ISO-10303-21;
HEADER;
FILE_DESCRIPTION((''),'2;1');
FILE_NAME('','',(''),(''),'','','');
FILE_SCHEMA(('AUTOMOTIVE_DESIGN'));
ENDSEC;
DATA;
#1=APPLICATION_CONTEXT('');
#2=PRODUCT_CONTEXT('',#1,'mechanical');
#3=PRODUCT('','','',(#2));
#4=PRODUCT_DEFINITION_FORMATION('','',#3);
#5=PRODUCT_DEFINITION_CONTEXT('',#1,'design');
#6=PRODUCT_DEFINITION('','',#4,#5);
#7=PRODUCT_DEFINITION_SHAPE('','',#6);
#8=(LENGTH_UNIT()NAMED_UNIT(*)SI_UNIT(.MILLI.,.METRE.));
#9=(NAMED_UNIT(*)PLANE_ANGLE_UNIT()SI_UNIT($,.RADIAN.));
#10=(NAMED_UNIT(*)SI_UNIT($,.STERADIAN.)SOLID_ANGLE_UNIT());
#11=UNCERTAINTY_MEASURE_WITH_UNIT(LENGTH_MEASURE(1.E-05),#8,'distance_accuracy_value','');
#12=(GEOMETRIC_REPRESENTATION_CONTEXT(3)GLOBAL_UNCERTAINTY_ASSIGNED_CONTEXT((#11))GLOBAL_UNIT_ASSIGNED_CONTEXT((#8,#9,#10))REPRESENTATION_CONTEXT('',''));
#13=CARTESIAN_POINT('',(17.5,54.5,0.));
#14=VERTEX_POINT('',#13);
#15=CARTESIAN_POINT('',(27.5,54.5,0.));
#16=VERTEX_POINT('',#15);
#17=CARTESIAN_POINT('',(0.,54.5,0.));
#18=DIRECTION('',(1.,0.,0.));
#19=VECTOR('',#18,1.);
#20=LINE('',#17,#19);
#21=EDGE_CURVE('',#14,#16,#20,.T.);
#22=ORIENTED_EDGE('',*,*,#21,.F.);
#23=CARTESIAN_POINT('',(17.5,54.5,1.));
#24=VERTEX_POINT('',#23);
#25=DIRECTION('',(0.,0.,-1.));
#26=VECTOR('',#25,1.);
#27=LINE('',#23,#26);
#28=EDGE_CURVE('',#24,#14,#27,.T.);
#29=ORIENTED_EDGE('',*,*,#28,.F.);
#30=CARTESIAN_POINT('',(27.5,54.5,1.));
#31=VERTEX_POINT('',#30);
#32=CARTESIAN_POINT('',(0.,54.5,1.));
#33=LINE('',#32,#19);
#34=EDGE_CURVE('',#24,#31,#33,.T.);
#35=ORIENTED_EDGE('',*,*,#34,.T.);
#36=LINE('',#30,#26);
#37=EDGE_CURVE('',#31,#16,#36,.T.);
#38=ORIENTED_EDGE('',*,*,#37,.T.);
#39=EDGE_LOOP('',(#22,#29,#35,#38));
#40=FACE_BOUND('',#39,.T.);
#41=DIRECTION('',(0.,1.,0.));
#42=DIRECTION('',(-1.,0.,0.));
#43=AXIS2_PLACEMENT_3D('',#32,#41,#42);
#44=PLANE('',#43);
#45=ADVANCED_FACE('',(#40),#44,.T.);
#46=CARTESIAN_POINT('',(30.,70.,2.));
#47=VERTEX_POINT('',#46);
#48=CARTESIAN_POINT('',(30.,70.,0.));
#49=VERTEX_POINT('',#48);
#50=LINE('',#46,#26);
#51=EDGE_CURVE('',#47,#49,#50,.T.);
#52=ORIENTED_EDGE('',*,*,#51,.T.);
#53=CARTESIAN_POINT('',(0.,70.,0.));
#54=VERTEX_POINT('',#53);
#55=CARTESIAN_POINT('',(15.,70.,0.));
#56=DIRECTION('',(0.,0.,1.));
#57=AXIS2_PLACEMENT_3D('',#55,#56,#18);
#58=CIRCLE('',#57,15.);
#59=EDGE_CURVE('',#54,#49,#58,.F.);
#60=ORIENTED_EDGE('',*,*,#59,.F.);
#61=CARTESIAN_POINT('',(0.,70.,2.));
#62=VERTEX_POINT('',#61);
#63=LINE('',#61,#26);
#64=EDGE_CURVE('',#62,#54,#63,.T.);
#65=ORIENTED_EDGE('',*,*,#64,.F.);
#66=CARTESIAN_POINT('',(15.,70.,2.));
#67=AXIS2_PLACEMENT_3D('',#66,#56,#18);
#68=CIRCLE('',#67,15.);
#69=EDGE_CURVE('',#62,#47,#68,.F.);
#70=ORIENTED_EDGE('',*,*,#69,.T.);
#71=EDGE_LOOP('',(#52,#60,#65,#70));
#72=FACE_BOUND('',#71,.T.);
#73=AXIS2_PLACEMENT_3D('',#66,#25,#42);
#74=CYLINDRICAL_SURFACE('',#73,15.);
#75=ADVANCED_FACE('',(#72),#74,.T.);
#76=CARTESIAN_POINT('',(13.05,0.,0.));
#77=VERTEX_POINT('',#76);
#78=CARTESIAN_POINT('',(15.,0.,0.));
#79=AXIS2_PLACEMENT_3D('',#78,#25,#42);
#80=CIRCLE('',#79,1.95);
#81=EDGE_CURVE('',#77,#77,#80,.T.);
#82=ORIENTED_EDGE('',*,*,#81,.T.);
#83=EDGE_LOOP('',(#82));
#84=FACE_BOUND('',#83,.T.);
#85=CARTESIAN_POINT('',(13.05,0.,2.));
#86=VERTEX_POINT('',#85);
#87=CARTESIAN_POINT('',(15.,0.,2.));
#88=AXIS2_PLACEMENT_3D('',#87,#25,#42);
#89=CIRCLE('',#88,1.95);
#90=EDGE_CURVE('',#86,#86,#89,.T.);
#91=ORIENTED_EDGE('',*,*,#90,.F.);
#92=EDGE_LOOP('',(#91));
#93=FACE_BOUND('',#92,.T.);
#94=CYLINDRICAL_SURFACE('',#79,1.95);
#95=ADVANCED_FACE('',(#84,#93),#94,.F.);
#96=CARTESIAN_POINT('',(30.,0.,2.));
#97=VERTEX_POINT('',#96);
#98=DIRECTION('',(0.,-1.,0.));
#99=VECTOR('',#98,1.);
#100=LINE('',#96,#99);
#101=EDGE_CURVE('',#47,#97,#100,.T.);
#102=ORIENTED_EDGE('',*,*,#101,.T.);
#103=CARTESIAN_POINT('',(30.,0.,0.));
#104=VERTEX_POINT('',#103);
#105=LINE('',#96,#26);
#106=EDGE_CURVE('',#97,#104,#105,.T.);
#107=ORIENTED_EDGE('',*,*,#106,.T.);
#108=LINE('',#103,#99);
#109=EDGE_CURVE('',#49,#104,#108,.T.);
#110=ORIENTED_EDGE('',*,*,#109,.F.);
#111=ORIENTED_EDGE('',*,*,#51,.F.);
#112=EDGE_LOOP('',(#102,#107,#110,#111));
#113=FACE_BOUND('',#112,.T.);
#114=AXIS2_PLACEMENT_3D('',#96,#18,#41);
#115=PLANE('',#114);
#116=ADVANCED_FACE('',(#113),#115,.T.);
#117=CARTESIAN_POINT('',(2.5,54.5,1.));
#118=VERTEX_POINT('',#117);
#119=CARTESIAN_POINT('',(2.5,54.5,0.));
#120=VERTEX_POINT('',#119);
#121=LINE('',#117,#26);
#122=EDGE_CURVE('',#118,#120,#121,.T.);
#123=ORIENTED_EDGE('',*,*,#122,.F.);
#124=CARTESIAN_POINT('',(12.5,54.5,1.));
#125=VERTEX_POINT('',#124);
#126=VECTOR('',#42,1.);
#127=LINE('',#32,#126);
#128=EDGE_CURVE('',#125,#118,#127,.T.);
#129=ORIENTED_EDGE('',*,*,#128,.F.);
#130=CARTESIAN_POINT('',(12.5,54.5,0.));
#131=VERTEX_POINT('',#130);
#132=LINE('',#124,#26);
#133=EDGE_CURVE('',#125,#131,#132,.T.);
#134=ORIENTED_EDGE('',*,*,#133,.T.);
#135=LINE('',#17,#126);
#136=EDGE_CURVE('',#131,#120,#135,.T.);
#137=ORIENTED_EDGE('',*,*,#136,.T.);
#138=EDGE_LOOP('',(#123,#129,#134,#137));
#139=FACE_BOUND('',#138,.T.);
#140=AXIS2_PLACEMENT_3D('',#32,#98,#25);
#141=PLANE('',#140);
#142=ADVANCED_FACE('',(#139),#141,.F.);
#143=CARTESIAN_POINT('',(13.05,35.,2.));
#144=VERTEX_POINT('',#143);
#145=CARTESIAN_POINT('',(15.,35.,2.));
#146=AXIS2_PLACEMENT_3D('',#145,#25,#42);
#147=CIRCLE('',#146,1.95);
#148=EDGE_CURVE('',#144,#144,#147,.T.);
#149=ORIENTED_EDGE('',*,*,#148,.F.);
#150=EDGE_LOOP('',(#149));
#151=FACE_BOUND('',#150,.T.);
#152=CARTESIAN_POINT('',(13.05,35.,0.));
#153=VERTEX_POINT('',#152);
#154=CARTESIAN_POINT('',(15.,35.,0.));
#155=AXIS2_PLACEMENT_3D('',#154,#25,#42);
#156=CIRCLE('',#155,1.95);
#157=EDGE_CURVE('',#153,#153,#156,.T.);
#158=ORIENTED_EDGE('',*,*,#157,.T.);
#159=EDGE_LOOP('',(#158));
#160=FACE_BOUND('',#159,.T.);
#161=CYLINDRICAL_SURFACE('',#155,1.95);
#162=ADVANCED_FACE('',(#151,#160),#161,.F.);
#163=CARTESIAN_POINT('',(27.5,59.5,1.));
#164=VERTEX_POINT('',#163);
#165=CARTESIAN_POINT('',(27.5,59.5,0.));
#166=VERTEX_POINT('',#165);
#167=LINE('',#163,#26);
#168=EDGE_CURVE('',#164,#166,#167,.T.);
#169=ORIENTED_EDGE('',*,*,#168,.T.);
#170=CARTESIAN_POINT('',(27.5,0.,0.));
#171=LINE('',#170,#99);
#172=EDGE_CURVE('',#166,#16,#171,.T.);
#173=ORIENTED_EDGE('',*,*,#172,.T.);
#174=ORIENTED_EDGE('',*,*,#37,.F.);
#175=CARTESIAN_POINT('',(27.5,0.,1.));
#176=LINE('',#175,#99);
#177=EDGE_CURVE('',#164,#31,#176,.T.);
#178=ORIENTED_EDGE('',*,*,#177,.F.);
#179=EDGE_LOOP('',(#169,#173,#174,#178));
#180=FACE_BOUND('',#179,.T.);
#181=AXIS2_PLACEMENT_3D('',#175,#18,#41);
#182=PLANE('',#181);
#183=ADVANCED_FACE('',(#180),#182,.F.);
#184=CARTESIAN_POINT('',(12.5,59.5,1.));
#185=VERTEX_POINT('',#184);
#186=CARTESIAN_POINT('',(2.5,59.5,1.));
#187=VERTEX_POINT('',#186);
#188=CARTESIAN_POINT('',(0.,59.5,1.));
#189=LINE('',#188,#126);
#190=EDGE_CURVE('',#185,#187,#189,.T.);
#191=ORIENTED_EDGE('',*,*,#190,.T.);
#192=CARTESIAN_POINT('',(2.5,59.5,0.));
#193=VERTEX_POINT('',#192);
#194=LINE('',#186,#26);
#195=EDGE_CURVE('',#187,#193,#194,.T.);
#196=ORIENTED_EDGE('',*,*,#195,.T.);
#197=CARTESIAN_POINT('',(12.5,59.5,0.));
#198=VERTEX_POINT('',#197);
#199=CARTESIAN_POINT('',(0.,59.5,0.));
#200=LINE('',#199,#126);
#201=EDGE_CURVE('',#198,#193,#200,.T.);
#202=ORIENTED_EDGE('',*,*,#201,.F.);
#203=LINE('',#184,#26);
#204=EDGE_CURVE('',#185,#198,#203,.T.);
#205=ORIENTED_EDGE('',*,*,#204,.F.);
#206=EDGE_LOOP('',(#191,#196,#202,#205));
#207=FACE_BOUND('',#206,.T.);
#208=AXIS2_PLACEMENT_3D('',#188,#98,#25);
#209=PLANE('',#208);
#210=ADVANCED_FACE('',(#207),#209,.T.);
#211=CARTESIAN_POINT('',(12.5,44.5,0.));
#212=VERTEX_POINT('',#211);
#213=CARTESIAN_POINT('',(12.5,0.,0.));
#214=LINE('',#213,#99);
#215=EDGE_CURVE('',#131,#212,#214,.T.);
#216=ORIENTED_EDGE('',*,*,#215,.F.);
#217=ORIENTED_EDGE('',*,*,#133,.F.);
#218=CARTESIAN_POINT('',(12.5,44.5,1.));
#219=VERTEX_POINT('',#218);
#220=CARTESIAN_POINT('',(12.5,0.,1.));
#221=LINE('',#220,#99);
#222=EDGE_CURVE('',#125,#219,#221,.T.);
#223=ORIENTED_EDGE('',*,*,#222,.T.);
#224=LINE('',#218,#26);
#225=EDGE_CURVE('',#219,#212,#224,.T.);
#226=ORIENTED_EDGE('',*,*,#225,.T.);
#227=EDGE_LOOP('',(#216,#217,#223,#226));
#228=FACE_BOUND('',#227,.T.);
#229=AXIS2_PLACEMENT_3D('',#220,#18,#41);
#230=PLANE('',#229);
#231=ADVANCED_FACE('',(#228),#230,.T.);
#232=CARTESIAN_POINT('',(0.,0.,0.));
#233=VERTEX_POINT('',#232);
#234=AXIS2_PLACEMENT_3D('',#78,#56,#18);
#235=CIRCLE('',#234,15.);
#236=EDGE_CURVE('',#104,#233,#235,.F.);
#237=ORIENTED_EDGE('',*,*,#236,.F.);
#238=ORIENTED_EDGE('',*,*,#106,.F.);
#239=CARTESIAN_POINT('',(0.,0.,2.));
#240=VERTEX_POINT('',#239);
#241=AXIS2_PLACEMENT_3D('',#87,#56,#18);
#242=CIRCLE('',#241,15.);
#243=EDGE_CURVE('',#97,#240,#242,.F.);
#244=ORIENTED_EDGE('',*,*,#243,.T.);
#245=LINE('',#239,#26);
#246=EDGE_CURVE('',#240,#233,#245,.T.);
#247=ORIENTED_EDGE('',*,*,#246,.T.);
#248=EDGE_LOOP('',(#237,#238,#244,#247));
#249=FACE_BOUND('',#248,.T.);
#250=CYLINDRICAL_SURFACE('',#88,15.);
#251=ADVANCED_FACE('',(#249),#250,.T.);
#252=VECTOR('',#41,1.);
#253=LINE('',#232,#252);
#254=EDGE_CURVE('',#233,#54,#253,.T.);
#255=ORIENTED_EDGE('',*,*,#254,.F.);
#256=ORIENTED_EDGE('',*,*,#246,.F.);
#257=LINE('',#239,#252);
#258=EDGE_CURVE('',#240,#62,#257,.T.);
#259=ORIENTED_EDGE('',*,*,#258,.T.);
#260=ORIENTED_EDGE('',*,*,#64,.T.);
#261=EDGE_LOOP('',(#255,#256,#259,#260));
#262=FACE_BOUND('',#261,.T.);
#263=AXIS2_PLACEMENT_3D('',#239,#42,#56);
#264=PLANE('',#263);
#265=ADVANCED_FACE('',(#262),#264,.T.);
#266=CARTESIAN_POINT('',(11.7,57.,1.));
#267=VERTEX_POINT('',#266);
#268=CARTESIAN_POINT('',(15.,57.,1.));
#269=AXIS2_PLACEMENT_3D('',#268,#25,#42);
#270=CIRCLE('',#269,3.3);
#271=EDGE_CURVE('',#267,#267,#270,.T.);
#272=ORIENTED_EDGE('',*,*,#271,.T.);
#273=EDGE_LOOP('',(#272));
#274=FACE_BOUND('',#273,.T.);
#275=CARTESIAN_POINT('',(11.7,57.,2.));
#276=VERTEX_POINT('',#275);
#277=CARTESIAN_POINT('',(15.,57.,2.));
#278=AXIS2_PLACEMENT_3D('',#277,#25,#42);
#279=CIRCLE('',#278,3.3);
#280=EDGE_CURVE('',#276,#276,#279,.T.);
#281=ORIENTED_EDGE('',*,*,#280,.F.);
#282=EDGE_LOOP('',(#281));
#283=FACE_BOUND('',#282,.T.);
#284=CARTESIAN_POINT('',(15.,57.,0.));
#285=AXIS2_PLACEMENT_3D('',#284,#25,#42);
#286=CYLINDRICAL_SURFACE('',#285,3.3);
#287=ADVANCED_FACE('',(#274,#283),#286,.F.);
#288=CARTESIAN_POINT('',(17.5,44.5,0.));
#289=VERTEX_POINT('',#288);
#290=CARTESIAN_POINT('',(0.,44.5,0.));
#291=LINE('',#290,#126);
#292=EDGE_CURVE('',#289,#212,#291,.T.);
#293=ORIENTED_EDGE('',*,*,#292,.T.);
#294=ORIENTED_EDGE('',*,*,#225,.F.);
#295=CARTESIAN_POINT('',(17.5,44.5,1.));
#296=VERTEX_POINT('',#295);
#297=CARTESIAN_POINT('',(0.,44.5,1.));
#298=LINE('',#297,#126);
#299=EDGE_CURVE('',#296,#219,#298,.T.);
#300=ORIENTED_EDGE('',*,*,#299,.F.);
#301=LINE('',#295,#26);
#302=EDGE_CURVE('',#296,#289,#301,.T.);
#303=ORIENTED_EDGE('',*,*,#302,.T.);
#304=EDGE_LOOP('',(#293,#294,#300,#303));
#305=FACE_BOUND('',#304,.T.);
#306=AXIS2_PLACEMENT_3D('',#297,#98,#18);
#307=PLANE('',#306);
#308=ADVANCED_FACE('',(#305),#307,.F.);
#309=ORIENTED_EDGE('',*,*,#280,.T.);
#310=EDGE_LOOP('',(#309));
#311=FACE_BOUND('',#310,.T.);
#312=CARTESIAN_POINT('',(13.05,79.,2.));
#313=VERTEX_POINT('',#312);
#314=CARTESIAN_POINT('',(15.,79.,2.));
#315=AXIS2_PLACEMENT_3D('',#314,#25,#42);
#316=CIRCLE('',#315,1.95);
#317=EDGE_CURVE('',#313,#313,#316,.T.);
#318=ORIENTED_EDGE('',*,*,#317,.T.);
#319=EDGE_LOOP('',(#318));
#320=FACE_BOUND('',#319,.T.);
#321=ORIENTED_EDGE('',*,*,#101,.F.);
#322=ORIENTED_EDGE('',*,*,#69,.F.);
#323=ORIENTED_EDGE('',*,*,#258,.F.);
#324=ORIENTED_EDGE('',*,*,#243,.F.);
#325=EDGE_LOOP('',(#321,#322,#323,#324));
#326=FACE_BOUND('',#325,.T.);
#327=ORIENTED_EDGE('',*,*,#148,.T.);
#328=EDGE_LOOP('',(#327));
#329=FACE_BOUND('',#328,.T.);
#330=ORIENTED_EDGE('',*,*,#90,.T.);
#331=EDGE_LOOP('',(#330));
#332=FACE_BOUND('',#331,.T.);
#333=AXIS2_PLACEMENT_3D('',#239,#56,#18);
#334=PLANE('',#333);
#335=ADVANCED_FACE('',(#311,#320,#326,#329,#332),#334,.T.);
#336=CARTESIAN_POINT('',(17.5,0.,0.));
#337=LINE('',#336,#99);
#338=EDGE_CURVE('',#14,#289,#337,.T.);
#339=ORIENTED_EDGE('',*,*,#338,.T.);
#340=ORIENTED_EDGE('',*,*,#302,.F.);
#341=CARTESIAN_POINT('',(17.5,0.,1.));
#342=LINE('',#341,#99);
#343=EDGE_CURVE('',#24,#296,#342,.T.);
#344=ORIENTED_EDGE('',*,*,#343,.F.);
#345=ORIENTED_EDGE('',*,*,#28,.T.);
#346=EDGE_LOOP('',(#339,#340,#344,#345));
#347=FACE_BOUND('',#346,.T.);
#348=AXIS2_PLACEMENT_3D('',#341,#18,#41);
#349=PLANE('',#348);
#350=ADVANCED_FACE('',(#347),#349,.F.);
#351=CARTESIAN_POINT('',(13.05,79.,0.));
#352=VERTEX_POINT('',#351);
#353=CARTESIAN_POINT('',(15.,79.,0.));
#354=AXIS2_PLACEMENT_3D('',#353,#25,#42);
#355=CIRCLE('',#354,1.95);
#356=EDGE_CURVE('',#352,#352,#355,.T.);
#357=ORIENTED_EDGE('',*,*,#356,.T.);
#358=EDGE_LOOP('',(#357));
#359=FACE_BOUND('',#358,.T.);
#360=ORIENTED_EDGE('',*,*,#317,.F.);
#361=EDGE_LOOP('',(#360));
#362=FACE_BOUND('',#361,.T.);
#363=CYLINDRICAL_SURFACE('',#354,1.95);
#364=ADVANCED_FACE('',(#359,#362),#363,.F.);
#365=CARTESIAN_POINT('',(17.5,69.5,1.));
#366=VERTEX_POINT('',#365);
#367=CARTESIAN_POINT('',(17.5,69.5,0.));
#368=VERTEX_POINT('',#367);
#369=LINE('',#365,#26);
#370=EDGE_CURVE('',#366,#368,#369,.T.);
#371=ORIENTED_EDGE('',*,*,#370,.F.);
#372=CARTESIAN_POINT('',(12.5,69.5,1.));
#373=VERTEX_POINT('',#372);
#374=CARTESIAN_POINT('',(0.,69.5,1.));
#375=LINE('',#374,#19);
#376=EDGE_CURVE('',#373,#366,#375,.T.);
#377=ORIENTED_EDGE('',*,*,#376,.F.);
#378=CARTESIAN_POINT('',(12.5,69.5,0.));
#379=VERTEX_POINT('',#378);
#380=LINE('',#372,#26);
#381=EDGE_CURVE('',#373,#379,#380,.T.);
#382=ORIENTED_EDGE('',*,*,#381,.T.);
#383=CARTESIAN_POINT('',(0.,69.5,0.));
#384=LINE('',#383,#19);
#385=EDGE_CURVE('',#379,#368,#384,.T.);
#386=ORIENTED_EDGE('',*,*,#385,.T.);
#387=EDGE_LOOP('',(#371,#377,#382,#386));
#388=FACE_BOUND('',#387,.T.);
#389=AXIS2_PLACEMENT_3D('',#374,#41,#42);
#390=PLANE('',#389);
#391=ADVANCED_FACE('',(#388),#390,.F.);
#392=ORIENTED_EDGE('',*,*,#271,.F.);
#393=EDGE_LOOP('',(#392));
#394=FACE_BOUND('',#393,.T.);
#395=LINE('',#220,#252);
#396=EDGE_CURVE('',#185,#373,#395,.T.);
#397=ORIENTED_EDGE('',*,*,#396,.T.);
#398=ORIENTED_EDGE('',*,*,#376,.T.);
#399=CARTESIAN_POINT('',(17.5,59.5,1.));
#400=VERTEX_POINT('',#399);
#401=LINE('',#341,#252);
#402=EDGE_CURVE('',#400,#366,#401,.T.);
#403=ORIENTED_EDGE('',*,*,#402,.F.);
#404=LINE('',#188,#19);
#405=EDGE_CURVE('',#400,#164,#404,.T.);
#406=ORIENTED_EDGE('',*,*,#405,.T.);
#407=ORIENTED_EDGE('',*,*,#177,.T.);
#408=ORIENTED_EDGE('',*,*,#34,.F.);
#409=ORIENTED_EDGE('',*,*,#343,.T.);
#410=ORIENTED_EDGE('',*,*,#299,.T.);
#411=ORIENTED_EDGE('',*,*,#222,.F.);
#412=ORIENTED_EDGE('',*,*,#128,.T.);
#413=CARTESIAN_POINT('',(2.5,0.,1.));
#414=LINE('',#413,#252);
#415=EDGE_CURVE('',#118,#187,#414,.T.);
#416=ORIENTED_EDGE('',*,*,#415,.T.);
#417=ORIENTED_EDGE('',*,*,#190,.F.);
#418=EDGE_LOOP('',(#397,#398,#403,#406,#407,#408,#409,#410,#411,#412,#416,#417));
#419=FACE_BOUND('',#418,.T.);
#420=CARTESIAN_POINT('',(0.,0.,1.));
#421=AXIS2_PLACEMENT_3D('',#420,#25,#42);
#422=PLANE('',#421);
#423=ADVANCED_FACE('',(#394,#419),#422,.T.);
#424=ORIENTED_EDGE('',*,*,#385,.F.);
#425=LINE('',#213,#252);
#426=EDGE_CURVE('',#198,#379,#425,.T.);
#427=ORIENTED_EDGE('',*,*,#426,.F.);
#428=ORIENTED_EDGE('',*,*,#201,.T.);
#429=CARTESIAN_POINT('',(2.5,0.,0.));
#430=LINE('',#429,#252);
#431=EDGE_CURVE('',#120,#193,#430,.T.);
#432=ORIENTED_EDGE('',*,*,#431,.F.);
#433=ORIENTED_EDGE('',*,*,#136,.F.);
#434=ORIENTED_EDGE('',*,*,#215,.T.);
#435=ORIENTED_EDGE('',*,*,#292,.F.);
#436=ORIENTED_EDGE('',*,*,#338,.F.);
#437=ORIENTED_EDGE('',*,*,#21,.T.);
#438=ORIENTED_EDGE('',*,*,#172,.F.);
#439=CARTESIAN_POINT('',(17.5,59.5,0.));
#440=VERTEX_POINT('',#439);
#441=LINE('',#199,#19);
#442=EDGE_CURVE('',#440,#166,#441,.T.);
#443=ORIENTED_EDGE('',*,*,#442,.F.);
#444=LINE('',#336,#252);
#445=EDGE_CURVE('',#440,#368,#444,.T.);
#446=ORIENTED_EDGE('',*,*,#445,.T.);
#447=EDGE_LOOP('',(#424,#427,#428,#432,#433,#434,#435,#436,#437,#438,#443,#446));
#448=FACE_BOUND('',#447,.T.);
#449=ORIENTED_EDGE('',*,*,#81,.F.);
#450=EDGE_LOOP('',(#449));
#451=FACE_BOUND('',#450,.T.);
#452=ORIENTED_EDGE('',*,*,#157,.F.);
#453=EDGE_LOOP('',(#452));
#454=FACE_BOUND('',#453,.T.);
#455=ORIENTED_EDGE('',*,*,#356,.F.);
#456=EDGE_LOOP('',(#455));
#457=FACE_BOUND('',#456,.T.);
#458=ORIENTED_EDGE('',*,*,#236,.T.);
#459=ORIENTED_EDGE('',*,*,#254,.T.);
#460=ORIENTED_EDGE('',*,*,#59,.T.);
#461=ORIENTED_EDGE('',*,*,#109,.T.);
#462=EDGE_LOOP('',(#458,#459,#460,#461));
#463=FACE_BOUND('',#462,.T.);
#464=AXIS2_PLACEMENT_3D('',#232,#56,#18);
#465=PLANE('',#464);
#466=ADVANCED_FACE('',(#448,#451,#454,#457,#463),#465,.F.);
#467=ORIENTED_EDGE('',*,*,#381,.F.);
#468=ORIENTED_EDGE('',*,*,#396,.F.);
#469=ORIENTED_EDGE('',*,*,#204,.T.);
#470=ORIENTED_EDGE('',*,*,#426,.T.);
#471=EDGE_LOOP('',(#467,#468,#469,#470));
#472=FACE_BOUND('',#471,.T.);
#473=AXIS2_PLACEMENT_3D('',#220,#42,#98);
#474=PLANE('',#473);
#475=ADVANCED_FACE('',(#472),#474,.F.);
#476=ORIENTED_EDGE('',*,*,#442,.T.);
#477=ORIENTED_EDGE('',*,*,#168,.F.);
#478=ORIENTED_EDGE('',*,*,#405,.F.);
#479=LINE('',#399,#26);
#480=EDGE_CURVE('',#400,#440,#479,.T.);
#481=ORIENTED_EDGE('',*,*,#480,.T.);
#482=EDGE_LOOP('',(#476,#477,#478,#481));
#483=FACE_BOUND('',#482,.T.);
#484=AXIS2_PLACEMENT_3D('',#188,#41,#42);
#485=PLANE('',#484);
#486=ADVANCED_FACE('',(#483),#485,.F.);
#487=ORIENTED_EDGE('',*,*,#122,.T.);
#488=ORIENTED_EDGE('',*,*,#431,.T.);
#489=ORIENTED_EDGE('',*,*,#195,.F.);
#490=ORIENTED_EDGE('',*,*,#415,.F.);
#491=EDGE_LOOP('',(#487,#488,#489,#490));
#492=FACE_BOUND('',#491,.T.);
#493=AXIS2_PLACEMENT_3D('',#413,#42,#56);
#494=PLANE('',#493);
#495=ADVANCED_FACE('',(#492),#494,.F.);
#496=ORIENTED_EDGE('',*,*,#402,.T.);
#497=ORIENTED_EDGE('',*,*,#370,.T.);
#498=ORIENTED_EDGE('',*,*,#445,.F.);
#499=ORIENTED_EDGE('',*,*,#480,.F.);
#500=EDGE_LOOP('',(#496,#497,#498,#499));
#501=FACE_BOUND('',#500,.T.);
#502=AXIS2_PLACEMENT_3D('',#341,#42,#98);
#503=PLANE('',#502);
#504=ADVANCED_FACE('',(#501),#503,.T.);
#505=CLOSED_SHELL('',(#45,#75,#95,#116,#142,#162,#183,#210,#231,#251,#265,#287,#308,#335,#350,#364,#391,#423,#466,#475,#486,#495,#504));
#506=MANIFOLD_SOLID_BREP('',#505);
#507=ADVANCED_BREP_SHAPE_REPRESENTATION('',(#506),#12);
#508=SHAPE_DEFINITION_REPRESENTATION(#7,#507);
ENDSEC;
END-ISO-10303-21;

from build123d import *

# Parameters (mm, degrees)
BOSS_EXTRU_1_DEPTH      = 2
D_GAGEMENT_M3_51_D      = 3.9
ENL_V_MAT_EXTRU_3_DEPTH = 1
D_GAGEMENT_M3_52_D      = 3.9
D_GAGEMENT_M61_D        = 6.6


with BuildPart() as part:
    # Esquisse1 → Boss.-Extru.1 (new body)
    with BuildSketch(Plane.XY):
        with BuildLine():
            ThreePointArc((30, 0), (15, -15), (0, 0))
            Line((0, 0), (0, 70))
            ThreePointArc((0, 70), (15, 85), (30, 70))
            Line((30, 70), (30, 0))
        make_face()
    extrude(amount=BOSS_EXTRU_1_DEPTH)

    # Dégagement M3.51 (through all)
    with Locations(Plane(origin=(0, 0, 0), x_dir=(-1, 0, 0), z_dir=(0, 0, -1))):
        with Locations((-15, 79), (-15, 35)):
            Hole(D_GAGEMENT_M3_51_D / 2)

    # Esquisse5 → Enlèv. mat.-Extru.3 (cut)
    with BuildSketch(Plane(origin=(0, 0, 0), x_dir=(-1, 0, 0), z_dir=(0, 0, -1))):
        Polygon((-12.5, 54.5), (-2.5, 54.5), (-2.5, 59.5), (-12.5, 59.5), (-12.5, 69.5), (-17.5, 69.5), (-17.5, 59.5), (-27.5, 59.5), (-27.5, 54.5), (-17.5, 54.5), (-17.5, 44.5), (-12.5, 44.5), align=None)
    extrude(amount=-ENL_V_MAT_EXTRU_3_DEPTH, mode=Mode.SUBTRACT)

    # Dégagement M3.52 (through all)
    with Locations(Plane(origin=(0, 0, 0), x_dir=(-1, 0, 0), z_dir=(0, 0, -1))):
        with Locations((-15, 0)):
            Hole(D_GAGEMENT_M3_52_D / 2)

    # Dégagement M61 (through all)
    with Locations(Plane(origin=(0, 0, 0), x_dir=(-1, 0, 0), z_dir=(0, 0, -1))):
        with Locations((-15, 57)):
            Hole(D_GAGEMENT_M61_D / 2)


solid = part.part
